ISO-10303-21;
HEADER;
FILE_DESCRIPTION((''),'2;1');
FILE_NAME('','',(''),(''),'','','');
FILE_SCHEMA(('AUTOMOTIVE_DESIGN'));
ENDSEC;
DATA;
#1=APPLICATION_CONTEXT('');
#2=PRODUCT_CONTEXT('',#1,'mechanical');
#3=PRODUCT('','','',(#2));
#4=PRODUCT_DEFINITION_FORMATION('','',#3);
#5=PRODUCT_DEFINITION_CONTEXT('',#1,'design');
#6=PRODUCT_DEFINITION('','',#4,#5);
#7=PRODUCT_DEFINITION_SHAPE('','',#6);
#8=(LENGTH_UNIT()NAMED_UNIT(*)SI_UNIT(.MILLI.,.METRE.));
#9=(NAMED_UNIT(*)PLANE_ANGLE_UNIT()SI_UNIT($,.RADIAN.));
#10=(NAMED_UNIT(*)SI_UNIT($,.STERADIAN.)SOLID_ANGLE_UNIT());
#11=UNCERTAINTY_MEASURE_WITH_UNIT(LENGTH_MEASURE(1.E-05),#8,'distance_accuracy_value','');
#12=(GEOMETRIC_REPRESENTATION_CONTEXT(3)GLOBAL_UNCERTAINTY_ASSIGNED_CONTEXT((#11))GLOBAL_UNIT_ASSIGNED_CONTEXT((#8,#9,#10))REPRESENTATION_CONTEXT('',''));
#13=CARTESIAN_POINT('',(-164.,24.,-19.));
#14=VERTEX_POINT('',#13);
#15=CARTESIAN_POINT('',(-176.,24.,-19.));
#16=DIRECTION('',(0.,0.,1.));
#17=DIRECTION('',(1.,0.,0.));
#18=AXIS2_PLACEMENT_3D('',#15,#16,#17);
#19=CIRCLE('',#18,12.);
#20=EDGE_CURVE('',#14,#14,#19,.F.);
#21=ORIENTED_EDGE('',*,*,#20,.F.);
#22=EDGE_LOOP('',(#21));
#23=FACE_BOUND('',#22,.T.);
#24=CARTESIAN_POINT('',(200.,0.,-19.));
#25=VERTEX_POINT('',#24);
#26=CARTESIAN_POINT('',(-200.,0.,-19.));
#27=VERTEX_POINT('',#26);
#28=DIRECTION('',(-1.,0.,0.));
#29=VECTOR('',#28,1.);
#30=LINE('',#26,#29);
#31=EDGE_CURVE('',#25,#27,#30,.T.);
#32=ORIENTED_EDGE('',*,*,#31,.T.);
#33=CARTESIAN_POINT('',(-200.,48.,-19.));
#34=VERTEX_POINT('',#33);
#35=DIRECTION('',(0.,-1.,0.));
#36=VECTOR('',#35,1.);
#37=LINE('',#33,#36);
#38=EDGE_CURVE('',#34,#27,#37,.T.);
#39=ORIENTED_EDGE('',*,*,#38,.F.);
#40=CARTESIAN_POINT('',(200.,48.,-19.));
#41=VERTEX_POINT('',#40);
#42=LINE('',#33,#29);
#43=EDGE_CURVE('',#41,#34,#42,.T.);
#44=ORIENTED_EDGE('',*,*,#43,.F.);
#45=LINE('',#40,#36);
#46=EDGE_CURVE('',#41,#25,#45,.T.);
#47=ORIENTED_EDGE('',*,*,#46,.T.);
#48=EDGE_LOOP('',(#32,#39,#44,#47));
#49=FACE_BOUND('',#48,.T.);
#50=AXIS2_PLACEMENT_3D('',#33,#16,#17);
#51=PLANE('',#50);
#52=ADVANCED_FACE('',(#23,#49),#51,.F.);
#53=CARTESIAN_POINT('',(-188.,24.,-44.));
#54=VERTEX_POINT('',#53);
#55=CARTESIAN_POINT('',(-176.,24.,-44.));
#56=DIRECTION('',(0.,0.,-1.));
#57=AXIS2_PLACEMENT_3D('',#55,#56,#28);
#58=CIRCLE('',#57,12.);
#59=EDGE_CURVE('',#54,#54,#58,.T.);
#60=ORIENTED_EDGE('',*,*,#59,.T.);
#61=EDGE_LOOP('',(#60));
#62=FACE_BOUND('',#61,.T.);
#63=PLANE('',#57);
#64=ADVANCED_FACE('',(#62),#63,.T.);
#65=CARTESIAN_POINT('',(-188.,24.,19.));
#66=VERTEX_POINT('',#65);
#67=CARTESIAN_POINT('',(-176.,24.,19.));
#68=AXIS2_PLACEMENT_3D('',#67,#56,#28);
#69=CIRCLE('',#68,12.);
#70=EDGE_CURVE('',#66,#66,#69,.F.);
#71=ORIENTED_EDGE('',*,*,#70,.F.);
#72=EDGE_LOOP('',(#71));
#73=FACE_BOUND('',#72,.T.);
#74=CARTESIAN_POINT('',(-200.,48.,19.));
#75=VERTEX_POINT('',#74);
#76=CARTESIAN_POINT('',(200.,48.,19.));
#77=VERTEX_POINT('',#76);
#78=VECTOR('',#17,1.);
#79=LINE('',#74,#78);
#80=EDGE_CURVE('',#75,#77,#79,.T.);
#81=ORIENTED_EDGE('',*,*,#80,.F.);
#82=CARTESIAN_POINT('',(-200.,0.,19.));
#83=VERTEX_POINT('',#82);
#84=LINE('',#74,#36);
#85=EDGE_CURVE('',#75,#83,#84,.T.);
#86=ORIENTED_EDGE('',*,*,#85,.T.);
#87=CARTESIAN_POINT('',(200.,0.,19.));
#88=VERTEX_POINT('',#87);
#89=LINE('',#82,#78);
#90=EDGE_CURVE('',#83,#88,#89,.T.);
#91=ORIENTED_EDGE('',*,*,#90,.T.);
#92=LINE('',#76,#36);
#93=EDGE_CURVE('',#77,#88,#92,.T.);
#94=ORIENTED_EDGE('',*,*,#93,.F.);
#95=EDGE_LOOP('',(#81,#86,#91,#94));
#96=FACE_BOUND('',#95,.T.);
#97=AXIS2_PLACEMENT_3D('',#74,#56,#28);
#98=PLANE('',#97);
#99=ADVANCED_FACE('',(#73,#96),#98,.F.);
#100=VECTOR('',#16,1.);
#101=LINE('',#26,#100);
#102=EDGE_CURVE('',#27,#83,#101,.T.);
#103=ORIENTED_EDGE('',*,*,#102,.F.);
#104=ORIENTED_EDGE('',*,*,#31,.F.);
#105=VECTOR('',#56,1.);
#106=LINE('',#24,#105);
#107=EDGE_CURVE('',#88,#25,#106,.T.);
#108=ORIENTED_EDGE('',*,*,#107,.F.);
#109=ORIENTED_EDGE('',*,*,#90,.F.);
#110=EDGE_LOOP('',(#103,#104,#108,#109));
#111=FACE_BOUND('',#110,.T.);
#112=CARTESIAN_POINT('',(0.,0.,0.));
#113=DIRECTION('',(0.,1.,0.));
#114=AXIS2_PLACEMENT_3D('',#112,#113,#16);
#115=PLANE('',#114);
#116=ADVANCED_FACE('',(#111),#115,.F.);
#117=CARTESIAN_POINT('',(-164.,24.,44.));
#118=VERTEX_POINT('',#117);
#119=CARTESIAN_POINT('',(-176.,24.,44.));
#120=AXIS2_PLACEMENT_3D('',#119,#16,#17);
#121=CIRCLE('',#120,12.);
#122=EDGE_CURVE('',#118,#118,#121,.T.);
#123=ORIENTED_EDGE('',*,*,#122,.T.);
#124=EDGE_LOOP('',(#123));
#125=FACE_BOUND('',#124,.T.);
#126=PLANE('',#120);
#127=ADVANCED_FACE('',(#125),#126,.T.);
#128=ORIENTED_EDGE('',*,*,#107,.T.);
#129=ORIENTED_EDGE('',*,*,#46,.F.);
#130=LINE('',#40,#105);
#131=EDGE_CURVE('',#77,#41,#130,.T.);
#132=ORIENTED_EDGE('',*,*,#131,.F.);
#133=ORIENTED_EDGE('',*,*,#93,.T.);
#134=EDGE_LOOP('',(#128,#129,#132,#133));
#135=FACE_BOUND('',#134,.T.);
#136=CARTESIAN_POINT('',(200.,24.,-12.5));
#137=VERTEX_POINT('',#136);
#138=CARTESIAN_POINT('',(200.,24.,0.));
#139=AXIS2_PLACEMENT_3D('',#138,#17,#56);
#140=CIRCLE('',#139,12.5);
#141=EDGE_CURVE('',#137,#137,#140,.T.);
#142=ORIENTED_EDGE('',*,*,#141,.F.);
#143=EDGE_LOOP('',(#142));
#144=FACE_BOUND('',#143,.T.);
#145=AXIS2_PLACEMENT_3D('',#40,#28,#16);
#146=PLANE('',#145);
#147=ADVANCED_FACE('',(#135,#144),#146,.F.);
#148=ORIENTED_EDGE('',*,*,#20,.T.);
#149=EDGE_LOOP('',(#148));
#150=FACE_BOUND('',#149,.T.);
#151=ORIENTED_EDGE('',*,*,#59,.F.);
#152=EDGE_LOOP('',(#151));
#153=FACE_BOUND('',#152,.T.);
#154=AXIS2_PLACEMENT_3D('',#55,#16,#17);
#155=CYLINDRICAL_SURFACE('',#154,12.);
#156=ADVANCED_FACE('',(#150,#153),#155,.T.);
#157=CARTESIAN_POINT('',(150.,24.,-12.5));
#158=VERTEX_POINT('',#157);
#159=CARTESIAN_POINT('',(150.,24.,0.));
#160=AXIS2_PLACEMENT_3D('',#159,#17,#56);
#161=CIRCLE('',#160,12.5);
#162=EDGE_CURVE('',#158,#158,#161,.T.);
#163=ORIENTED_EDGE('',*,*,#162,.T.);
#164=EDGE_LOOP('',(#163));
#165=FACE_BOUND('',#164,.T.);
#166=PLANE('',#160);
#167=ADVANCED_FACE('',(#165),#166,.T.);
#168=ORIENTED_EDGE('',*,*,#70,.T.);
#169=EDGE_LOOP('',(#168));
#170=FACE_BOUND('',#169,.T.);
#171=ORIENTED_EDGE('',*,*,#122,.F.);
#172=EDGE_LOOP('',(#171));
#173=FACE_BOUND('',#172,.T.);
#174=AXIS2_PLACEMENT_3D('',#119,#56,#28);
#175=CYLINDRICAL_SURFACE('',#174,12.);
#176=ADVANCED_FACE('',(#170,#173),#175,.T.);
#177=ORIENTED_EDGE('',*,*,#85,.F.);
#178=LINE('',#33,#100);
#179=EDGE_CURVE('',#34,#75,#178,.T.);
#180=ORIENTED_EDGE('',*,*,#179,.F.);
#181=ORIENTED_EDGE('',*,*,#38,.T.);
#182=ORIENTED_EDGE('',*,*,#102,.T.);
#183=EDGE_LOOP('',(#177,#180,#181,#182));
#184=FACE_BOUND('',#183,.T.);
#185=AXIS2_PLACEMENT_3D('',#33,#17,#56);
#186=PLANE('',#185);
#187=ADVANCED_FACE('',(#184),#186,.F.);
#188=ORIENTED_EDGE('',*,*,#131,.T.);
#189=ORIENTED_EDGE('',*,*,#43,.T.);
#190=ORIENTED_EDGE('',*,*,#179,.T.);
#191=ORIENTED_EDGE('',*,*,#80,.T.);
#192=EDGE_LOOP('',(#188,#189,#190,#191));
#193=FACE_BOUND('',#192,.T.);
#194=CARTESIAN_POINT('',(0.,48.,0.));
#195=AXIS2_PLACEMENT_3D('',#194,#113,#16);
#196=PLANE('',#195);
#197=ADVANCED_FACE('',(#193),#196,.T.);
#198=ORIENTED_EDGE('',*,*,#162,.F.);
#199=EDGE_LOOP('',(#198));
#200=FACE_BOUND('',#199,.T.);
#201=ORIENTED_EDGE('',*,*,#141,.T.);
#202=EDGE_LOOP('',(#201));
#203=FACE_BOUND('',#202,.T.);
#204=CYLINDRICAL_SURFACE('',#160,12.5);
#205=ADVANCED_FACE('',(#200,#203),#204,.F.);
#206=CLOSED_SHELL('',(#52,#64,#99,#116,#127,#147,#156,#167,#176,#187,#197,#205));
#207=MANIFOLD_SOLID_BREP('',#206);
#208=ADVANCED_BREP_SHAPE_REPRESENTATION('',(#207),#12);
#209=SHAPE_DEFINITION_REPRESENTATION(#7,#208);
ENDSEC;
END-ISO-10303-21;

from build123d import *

# Parameters (mm, degrees)
SKETCH1_W           = 400
SKETCH1_H           = 38
BOSS_EXTRUDE1_DEPTH = 48
SKETCH2_R           = 12
BOSS_EXTRUDE2_DEPTH = 25
BOSS_EXTRUDE3_START = 25
SKETCH3_R           = 12
BOSS_EXTRUDE3_DEPTH = 25
SKETCH6_R           = 12.5
CUT_EXTRUDE1_DEPTH  = 50


with BuildPart() as part:
    # Sketch1 → Boss-Extrude1 (new body)
    with BuildSketch(Plane(origin=(0, 0, 0), x_dir=(1, 0, 0), z_dir=(0, 1, 0))):
        Rectangle(SKETCH1_W, SKETCH1_H)
    extrude(amount=BOSS_EXTRUDE1_DEPTH)

    # Sketch2 → Boss-Extrude2 (add)
    with BuildSketch(Plane.XY.offset(19)):
        with Locations(Location((-176, 24, 0), (0, 0, 180))):
            Circle(SKETCH2_R)
    extrude(amount=BOSS_EXTRUDE2_DEPTH)

    # Sketch3 → Boss-Extrude3 (add)
    with BuildSketch(Plane(origin=(0, 0, -19), x_dir=(-1, 0, 0), z_dir=(0, 0, -1)).offset(BOSS_EXTRUDE3_START)):
        with Locations((176, 24)):
            Circle(SKETCH3_R)
    extrude(amount=-BOSS_EXTRUDE3_DEPTH)

    # Sketch6 → Cut-Extrude1 (cut)
    with BuildSketch(Plane(origin=(200, 0, 0), x_dir=(0, 0, -1), z_dir=(1, 0, 0))):
        with Locations((0, 24)):
            Circle(SKETCH6_R)
    extrude(amount=-CUT_EXTRUDE1_DEPTH, mode=Mode.SUBTRACT)


solid = part.part
